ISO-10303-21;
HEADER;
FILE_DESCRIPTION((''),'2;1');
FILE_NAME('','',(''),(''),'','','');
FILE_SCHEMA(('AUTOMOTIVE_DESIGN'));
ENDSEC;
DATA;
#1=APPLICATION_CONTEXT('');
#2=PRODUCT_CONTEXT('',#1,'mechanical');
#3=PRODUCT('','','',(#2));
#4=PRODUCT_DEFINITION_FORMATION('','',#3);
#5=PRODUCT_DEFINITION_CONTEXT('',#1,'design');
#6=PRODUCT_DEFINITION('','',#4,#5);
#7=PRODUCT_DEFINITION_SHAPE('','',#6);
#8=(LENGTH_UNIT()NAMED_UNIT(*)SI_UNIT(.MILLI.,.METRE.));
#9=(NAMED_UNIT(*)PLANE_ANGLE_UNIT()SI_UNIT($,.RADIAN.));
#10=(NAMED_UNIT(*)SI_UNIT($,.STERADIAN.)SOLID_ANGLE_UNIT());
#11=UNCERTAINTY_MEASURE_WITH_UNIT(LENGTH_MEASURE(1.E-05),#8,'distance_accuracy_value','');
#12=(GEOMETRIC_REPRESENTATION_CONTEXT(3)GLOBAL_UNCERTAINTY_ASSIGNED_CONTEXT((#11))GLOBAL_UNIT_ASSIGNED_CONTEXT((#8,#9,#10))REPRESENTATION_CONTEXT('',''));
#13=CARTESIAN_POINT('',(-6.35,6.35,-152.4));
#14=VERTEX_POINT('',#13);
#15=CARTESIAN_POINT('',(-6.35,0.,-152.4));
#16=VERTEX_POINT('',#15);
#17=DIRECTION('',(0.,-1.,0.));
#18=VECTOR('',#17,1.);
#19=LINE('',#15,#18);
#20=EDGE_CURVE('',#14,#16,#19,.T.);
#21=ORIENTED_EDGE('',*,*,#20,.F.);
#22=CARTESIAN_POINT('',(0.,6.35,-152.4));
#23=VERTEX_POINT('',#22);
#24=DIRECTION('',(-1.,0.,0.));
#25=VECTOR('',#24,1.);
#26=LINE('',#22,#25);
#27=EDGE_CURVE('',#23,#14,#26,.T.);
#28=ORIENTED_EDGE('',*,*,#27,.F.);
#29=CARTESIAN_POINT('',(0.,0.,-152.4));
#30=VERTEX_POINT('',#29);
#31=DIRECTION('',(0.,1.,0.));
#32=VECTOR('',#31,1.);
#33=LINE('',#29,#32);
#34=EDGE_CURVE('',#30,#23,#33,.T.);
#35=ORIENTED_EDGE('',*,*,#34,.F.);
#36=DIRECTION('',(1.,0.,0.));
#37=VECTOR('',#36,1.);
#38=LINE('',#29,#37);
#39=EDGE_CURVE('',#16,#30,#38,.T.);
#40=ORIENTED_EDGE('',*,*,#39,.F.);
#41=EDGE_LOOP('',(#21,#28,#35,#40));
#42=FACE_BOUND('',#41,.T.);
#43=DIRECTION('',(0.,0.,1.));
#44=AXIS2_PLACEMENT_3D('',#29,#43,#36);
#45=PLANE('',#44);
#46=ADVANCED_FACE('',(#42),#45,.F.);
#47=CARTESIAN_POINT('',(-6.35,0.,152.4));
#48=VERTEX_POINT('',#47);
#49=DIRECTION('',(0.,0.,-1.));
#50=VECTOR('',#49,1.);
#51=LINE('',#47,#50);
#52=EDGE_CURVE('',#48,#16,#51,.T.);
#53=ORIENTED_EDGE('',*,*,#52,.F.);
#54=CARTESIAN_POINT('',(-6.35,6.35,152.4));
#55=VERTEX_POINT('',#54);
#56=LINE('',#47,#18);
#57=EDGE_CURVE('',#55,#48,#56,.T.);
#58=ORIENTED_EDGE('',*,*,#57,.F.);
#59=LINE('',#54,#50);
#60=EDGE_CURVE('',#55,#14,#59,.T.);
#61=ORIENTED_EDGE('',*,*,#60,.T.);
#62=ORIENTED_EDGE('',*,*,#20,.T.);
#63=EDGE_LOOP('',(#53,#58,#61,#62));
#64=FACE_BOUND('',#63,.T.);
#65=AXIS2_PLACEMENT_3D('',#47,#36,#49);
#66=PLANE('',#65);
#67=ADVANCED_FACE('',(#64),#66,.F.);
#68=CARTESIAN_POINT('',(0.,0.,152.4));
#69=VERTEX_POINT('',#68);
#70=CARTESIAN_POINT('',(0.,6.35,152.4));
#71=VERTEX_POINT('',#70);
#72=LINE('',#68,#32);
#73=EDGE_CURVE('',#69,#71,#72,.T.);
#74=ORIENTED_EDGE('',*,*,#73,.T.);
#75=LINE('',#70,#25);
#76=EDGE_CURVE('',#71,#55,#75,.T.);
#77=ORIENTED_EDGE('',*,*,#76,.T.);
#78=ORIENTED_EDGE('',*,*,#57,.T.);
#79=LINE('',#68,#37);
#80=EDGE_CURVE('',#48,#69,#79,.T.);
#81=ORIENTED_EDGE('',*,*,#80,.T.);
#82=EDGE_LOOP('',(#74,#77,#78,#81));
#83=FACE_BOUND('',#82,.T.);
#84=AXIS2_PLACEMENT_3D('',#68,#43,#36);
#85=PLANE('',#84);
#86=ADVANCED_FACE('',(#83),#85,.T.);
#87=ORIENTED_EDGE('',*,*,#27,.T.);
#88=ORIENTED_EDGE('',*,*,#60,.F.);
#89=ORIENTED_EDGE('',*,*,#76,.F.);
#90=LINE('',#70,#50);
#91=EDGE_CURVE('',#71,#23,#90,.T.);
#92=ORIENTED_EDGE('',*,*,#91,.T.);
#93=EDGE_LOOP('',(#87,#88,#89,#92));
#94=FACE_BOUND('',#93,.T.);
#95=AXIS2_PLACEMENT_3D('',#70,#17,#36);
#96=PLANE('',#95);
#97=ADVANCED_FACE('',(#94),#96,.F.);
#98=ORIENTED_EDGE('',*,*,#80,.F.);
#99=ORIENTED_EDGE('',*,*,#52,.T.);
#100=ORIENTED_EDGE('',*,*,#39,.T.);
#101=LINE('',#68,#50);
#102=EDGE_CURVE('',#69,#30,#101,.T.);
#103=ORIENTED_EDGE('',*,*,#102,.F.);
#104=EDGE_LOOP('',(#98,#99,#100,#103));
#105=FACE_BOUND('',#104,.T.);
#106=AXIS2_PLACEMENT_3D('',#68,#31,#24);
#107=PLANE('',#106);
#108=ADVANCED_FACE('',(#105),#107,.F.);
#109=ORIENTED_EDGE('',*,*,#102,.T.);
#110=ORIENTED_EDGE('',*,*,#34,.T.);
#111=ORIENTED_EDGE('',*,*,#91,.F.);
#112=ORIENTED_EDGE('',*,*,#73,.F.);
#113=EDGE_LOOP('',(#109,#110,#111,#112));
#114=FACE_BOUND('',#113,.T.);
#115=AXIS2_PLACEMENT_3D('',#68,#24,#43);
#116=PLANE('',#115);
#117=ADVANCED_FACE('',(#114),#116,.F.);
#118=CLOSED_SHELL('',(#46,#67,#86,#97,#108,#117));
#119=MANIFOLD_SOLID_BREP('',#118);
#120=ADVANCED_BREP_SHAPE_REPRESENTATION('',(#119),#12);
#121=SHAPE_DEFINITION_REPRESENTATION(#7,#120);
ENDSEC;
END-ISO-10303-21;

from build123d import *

# Parameters (mm, degrees)
SKETCH1_W           = 6.35
SKETCH1_H           = 6.35
BOSS_EXTRUDE1_DEPTH = 152.4


with BuildPart() as part:
    # Sketch1 → Boss-Extrude1 (new body, symmetric)
    with BuildSketch(Plane.XY):
        with Locations((-3.175, 3.175)):
            Rectangle(SKETCH1_W, SKETCH1_H)
    extrude(amount=BOSS_EXTRUDE1_DEPTH, both=True)


solid = part.part
